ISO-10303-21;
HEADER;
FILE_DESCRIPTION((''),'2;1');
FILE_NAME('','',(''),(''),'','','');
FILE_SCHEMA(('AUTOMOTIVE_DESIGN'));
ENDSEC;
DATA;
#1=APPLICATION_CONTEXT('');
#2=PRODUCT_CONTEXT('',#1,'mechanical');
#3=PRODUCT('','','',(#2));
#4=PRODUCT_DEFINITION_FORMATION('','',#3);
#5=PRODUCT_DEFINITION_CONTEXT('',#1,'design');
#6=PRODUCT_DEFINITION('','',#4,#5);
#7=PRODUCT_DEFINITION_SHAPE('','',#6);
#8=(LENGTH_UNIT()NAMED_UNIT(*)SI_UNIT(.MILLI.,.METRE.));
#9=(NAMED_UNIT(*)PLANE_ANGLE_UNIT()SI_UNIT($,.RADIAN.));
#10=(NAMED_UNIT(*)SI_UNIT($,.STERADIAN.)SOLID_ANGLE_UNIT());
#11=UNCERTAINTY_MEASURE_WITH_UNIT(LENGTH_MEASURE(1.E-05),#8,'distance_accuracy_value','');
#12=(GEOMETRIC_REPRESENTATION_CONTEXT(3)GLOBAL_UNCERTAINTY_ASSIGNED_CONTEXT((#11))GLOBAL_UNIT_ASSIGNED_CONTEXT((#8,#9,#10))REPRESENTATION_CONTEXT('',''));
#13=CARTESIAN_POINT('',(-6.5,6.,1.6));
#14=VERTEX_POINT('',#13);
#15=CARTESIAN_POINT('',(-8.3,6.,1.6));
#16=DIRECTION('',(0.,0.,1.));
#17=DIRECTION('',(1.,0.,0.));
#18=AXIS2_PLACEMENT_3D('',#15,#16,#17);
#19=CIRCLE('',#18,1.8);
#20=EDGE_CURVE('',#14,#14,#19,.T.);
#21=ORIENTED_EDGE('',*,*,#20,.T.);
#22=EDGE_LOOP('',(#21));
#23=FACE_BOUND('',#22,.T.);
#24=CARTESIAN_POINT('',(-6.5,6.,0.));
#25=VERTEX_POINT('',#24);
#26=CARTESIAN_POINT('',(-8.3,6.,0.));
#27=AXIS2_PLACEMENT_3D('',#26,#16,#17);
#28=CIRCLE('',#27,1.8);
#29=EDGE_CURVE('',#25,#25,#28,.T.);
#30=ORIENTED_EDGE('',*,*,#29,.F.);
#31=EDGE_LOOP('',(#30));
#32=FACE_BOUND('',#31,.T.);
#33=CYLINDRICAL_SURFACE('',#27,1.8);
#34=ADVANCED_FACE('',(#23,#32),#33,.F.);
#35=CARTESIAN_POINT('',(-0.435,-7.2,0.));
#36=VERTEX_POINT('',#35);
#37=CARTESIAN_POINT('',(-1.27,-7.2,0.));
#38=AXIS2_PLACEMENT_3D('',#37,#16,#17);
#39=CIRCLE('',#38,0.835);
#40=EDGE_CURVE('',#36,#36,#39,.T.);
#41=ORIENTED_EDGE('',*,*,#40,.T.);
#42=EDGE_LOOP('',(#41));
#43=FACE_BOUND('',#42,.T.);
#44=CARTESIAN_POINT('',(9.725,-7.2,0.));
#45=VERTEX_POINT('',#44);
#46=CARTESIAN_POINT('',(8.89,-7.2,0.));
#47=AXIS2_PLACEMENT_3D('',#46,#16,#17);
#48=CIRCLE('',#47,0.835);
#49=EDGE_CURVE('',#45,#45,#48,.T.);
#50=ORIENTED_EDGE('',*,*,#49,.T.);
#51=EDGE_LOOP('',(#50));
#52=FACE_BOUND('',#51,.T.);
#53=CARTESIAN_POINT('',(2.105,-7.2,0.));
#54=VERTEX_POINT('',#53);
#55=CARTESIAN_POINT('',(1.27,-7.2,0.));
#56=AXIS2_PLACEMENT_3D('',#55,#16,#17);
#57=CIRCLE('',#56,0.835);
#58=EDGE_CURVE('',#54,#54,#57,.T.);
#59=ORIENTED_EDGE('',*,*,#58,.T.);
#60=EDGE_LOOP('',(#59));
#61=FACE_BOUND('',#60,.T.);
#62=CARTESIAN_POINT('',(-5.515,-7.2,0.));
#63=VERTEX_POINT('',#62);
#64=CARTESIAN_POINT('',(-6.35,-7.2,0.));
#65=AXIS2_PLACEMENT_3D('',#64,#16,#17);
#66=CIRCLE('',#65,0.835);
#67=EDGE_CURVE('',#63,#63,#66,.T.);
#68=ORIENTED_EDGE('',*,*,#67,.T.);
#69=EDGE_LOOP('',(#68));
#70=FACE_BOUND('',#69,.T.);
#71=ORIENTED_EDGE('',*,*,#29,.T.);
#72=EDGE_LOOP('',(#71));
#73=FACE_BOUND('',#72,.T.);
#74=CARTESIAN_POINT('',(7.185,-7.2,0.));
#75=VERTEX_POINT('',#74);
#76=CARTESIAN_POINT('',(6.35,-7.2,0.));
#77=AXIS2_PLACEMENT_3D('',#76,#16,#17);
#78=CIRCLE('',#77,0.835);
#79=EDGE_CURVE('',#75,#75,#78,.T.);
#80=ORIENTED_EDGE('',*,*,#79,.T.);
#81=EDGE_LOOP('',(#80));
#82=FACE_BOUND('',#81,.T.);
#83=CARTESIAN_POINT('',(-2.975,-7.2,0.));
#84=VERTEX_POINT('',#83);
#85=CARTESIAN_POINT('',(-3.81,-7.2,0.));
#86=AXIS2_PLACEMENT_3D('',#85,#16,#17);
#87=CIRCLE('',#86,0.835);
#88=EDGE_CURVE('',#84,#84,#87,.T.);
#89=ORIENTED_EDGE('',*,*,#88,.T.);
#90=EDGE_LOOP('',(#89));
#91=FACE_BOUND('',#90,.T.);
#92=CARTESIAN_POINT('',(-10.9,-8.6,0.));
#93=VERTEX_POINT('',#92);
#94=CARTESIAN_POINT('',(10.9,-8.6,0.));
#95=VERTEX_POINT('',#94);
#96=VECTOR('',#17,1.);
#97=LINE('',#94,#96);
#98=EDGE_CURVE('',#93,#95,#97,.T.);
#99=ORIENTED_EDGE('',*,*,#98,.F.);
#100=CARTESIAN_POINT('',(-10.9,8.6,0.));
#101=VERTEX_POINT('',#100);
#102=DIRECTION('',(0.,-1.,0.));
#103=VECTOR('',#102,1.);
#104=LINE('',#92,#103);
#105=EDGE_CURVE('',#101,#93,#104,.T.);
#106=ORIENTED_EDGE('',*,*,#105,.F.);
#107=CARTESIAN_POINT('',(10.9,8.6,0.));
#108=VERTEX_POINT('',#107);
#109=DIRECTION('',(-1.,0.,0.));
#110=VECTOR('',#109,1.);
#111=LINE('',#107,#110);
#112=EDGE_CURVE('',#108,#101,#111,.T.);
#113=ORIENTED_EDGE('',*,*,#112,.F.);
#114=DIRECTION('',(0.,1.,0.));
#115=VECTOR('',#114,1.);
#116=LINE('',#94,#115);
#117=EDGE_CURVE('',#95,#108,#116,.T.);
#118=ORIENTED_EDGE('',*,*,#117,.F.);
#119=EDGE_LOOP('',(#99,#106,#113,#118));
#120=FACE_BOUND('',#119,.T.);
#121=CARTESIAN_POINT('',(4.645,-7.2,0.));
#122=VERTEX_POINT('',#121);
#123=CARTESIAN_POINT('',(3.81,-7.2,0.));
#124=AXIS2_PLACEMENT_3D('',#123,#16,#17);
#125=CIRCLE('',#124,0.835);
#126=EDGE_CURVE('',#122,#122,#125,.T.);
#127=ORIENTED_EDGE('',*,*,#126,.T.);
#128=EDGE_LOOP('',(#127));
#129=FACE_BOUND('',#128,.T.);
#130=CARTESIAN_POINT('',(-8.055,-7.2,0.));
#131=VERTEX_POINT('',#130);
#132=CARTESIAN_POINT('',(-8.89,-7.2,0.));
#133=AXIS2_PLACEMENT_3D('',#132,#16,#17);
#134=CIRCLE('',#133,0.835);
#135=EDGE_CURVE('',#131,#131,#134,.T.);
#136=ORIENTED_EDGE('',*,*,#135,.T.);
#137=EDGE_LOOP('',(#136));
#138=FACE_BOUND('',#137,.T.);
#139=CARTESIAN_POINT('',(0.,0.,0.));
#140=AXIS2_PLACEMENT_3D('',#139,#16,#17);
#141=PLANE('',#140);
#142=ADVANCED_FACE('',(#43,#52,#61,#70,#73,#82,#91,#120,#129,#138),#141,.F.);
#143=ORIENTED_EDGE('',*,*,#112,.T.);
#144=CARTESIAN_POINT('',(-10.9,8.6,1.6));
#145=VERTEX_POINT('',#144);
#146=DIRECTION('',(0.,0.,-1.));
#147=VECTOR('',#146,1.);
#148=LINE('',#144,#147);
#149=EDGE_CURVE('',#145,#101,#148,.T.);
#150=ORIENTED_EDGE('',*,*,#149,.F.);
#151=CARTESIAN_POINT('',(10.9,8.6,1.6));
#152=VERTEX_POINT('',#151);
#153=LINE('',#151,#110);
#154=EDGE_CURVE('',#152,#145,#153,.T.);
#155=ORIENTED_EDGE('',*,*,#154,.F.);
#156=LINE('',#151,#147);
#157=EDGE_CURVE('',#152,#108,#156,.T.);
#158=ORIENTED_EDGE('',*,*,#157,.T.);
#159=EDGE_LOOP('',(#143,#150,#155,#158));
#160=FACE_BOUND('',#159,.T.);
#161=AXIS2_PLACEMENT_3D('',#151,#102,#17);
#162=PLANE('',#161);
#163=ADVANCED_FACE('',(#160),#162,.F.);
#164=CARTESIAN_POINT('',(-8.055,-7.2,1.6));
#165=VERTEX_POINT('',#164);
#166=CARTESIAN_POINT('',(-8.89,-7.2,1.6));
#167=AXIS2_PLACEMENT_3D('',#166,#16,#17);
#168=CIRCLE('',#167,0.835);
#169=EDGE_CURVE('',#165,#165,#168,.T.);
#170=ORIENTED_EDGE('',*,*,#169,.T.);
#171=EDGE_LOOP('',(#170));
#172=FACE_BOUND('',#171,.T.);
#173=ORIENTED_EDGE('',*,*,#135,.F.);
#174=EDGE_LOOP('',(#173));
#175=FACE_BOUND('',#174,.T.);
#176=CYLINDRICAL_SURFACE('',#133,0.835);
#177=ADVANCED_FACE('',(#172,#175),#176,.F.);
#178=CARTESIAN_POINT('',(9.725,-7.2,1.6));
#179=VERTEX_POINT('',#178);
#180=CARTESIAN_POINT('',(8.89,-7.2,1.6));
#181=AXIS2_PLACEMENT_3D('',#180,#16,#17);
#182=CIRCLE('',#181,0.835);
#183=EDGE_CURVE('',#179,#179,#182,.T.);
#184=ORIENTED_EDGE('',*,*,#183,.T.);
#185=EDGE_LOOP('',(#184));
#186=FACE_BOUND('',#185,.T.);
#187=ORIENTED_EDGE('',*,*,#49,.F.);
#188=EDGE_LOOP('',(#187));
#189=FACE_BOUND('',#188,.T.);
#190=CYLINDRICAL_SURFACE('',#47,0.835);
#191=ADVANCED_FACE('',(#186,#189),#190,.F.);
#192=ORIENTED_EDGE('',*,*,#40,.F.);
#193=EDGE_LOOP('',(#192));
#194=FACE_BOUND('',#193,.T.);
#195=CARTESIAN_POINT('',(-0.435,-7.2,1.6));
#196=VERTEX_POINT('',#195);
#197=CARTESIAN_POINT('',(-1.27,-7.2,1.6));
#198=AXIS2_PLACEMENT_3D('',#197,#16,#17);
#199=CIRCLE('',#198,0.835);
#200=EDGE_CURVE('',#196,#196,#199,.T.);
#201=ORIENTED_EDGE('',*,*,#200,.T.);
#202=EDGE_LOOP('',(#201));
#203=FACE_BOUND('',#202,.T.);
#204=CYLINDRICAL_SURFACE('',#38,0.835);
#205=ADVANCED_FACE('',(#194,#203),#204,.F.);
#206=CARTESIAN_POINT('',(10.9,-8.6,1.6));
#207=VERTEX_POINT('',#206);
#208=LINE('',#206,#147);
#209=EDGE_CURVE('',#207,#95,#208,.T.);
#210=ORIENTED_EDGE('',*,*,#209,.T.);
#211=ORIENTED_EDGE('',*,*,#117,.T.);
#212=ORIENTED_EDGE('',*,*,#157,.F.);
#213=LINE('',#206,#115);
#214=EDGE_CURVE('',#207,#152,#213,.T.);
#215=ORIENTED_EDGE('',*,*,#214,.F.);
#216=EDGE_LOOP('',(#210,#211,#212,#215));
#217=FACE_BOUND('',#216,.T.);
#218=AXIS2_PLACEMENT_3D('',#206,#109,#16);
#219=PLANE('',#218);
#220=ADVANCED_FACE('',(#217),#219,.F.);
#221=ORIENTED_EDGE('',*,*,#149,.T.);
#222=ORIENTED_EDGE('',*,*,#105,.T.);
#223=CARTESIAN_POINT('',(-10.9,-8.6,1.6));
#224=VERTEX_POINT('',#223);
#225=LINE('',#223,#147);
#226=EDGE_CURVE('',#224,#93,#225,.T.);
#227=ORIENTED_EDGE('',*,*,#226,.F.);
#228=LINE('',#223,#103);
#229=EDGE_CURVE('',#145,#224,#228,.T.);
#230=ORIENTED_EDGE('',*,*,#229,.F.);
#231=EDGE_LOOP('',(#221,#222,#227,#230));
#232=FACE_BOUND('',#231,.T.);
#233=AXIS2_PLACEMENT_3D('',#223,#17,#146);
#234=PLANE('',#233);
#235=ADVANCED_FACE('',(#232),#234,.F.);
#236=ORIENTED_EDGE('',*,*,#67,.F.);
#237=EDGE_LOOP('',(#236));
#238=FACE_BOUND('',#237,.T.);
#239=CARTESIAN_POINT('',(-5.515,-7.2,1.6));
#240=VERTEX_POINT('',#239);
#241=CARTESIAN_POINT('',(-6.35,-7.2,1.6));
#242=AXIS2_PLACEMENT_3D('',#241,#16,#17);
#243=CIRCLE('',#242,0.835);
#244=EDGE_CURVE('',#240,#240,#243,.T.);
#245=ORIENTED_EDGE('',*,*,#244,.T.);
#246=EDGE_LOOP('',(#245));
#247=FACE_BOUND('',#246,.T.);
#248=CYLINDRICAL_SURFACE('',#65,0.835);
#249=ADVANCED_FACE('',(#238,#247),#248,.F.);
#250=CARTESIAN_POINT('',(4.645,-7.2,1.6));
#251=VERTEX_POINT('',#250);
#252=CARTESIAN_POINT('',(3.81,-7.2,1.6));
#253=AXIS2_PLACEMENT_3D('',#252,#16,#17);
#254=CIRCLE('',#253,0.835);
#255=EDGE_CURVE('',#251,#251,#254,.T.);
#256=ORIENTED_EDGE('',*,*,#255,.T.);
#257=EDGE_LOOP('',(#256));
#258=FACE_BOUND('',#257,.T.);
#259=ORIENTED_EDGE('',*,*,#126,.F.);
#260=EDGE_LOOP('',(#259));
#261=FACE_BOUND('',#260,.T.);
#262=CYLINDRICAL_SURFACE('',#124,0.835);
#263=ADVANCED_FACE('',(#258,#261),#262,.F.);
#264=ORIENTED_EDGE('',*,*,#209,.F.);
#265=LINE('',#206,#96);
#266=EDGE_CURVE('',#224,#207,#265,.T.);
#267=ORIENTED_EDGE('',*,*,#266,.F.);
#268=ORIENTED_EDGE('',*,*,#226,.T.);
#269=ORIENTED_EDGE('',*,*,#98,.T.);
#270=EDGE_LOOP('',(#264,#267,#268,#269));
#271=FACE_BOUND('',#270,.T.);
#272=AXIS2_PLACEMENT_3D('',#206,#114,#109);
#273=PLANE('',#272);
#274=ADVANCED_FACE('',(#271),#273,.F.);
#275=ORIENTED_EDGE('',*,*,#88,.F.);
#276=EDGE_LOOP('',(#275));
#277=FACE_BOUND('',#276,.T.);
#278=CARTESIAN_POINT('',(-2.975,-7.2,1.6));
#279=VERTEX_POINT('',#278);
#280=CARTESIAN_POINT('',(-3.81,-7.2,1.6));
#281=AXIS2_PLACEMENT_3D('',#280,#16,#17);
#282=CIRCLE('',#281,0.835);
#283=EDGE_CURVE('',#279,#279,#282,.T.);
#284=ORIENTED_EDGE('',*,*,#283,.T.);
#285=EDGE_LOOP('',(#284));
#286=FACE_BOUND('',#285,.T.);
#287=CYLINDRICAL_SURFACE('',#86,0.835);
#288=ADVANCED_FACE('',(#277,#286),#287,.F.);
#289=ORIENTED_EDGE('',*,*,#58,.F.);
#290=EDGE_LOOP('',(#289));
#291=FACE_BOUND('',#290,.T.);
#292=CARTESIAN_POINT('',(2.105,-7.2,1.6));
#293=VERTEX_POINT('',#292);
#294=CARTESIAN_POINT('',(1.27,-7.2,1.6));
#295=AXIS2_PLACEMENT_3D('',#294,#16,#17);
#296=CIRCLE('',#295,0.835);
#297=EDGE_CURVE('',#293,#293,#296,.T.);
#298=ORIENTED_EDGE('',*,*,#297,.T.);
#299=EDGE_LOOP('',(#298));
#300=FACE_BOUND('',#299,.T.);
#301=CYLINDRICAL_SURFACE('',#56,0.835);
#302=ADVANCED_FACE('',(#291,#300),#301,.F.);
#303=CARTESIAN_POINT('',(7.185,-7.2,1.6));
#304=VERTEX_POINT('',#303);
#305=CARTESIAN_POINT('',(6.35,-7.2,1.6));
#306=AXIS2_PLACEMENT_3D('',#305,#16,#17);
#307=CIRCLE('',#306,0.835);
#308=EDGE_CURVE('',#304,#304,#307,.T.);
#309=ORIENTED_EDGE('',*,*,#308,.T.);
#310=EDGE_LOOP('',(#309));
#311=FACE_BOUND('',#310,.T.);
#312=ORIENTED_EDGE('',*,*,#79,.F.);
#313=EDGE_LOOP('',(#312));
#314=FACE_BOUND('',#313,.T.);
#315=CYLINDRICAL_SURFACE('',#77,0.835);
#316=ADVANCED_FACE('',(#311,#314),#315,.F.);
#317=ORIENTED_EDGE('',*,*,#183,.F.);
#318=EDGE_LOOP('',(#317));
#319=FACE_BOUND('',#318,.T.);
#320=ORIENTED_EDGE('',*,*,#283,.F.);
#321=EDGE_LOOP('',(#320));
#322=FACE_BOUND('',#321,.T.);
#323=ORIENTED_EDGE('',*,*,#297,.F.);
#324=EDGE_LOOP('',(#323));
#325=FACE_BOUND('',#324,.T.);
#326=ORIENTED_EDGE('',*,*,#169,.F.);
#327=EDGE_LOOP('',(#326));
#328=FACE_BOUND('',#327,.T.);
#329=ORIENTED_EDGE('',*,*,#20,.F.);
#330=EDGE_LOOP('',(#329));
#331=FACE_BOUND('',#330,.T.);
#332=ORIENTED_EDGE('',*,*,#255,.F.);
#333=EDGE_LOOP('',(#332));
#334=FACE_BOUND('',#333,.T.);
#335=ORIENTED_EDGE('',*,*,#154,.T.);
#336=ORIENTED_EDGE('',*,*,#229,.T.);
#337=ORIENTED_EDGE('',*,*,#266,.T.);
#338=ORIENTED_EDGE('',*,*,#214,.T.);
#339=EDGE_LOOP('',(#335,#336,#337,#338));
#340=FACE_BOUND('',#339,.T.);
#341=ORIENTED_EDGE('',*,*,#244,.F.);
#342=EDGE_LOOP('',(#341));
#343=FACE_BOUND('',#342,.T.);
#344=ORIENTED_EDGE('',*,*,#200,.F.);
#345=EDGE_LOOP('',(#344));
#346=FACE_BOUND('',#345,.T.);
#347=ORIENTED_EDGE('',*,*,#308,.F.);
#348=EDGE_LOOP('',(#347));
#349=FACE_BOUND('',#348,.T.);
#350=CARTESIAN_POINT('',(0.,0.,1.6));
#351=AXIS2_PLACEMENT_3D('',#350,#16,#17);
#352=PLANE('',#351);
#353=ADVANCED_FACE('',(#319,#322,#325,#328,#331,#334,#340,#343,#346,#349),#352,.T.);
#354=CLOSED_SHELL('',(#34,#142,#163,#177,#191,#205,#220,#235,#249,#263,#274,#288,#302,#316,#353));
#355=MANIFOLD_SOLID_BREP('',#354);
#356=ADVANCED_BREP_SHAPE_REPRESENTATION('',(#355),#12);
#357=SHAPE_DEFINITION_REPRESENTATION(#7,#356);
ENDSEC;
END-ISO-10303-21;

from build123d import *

# Parameters (mm, degrees)
SKETCH1_W           = 21.8
SKETCH1_H           = 17.2
BOSS_EXTRUDE1_DEPTH = 1.6
SKETCH2_R           = 0.835
SKETCH2_R_2         = 1.8
CUT_EXTRUDE1_DEPTH  = 1.6


with BuildPart() as part:
    # Sketch1 → Boss-Extrude1 (new body)
    with BuildSketch(Plane.XY):
        Rectangle(SKETCH1_W, SKETCH1_H)
    extrude(amount=BOSS_EXTRUDE1_DEPTH)

    # Sketch2 → Cut-Extrude1 (cut)
    with BuildSketch(Plane.XY.offset(1.6)):
        with Locations((8.89, -7.2)):
            Circle(SKETCH2_R)
        with Locations((6.35, -7.2)):
            Circle(SKETCH2_R)
        with Locations((3.81, -7.2)):
            Circle(SKETCH2_R)
        with Locations((1.27, -7.2)):
            Circle(SKETCH2_R)
        with Locations((-1.27, -7.2)):
            Circle(SKETCH2_R)
        with Locations((-3.81, -7.2)):
            Circle(SKETCH2_R)
        with Locations((-6.35, -7.2)):
            Circle(SKETCH2_R)
        with Locations((-8.89, -7.2)):
            Circle(SKETCH2_R)
        with Locations((-8.3, 6)):
            Circle(SKETCH2_R_2)
    extrude(amount=-CUT_EXTRUDE1_DEPTH, mode=Mode.SUBTRACT)


solid = part.part
